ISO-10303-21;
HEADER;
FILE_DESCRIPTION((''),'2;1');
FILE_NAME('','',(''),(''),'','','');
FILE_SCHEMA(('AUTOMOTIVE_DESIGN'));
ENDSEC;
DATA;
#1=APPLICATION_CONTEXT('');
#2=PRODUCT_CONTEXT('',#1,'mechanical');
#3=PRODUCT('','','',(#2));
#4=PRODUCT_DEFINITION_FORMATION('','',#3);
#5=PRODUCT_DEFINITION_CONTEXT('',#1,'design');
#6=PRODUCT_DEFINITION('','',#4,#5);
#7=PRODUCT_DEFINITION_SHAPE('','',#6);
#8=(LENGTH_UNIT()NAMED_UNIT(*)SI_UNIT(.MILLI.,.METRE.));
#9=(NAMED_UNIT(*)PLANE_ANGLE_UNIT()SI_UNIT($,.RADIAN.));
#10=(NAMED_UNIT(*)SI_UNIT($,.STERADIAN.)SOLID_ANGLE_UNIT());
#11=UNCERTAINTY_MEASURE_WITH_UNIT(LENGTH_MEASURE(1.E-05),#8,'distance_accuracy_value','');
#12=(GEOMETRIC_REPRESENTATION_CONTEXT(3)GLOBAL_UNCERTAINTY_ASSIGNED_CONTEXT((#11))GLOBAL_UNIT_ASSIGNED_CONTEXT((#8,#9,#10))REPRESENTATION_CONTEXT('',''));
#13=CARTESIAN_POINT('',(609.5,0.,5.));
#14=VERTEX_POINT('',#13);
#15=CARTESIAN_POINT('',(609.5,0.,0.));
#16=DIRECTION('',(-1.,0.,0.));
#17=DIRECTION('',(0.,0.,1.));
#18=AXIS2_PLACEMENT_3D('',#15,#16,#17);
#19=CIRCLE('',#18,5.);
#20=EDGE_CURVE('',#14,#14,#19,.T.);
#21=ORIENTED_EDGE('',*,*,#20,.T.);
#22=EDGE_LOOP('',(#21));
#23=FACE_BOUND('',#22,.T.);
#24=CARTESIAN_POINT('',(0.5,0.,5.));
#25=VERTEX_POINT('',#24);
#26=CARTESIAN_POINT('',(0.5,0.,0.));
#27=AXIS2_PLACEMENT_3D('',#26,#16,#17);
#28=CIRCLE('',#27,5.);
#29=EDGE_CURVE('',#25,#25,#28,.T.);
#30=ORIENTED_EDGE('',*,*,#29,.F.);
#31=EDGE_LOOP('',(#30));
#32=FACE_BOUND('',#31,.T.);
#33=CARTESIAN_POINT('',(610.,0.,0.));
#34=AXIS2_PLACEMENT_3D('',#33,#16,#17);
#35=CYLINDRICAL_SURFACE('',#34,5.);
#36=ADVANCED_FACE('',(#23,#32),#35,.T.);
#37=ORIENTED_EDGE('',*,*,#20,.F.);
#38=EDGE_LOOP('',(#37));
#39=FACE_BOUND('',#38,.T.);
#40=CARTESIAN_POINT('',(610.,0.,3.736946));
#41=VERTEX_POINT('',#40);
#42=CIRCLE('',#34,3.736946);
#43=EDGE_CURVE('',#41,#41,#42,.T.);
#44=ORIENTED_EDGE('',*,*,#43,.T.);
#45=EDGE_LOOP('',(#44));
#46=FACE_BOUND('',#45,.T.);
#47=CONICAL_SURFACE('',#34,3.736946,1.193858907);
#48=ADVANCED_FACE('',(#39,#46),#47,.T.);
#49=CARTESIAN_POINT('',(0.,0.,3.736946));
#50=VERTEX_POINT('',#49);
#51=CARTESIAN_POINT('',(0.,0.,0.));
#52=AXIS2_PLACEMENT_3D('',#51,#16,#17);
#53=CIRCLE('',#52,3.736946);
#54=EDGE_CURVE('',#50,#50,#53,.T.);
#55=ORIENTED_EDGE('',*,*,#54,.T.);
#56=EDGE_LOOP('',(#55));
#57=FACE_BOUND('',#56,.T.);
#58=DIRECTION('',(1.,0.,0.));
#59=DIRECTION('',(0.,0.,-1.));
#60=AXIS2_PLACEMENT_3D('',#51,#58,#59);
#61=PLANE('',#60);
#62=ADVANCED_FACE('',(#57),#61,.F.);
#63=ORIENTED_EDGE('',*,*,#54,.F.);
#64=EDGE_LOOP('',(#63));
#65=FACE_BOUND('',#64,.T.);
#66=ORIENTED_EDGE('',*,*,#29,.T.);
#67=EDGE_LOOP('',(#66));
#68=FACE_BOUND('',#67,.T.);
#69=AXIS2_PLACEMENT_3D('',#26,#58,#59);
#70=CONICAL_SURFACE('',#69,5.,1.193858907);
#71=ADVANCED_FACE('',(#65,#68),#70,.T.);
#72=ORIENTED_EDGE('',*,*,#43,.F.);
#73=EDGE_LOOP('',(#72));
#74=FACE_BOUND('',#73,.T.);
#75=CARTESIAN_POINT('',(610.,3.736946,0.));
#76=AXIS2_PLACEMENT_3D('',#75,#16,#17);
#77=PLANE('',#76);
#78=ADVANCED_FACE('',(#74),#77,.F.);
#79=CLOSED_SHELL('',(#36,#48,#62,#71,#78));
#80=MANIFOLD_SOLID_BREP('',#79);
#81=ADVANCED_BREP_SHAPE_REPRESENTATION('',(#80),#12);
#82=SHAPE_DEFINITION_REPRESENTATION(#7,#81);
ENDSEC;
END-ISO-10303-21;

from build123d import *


with BuildPart() as part:
    # Sketch1 → Revolve1 (revolve)
    with BuildSketch(Plane.XY):
        Polygon((0, 0), (0, 3.736946), (0.5, 5), (609.5, 5), (610, 3.736946), (610, 0), align=None)
    revolve(axis=Axis((610, 0, 0), (-1, 0, 0)))


solid = part.part
